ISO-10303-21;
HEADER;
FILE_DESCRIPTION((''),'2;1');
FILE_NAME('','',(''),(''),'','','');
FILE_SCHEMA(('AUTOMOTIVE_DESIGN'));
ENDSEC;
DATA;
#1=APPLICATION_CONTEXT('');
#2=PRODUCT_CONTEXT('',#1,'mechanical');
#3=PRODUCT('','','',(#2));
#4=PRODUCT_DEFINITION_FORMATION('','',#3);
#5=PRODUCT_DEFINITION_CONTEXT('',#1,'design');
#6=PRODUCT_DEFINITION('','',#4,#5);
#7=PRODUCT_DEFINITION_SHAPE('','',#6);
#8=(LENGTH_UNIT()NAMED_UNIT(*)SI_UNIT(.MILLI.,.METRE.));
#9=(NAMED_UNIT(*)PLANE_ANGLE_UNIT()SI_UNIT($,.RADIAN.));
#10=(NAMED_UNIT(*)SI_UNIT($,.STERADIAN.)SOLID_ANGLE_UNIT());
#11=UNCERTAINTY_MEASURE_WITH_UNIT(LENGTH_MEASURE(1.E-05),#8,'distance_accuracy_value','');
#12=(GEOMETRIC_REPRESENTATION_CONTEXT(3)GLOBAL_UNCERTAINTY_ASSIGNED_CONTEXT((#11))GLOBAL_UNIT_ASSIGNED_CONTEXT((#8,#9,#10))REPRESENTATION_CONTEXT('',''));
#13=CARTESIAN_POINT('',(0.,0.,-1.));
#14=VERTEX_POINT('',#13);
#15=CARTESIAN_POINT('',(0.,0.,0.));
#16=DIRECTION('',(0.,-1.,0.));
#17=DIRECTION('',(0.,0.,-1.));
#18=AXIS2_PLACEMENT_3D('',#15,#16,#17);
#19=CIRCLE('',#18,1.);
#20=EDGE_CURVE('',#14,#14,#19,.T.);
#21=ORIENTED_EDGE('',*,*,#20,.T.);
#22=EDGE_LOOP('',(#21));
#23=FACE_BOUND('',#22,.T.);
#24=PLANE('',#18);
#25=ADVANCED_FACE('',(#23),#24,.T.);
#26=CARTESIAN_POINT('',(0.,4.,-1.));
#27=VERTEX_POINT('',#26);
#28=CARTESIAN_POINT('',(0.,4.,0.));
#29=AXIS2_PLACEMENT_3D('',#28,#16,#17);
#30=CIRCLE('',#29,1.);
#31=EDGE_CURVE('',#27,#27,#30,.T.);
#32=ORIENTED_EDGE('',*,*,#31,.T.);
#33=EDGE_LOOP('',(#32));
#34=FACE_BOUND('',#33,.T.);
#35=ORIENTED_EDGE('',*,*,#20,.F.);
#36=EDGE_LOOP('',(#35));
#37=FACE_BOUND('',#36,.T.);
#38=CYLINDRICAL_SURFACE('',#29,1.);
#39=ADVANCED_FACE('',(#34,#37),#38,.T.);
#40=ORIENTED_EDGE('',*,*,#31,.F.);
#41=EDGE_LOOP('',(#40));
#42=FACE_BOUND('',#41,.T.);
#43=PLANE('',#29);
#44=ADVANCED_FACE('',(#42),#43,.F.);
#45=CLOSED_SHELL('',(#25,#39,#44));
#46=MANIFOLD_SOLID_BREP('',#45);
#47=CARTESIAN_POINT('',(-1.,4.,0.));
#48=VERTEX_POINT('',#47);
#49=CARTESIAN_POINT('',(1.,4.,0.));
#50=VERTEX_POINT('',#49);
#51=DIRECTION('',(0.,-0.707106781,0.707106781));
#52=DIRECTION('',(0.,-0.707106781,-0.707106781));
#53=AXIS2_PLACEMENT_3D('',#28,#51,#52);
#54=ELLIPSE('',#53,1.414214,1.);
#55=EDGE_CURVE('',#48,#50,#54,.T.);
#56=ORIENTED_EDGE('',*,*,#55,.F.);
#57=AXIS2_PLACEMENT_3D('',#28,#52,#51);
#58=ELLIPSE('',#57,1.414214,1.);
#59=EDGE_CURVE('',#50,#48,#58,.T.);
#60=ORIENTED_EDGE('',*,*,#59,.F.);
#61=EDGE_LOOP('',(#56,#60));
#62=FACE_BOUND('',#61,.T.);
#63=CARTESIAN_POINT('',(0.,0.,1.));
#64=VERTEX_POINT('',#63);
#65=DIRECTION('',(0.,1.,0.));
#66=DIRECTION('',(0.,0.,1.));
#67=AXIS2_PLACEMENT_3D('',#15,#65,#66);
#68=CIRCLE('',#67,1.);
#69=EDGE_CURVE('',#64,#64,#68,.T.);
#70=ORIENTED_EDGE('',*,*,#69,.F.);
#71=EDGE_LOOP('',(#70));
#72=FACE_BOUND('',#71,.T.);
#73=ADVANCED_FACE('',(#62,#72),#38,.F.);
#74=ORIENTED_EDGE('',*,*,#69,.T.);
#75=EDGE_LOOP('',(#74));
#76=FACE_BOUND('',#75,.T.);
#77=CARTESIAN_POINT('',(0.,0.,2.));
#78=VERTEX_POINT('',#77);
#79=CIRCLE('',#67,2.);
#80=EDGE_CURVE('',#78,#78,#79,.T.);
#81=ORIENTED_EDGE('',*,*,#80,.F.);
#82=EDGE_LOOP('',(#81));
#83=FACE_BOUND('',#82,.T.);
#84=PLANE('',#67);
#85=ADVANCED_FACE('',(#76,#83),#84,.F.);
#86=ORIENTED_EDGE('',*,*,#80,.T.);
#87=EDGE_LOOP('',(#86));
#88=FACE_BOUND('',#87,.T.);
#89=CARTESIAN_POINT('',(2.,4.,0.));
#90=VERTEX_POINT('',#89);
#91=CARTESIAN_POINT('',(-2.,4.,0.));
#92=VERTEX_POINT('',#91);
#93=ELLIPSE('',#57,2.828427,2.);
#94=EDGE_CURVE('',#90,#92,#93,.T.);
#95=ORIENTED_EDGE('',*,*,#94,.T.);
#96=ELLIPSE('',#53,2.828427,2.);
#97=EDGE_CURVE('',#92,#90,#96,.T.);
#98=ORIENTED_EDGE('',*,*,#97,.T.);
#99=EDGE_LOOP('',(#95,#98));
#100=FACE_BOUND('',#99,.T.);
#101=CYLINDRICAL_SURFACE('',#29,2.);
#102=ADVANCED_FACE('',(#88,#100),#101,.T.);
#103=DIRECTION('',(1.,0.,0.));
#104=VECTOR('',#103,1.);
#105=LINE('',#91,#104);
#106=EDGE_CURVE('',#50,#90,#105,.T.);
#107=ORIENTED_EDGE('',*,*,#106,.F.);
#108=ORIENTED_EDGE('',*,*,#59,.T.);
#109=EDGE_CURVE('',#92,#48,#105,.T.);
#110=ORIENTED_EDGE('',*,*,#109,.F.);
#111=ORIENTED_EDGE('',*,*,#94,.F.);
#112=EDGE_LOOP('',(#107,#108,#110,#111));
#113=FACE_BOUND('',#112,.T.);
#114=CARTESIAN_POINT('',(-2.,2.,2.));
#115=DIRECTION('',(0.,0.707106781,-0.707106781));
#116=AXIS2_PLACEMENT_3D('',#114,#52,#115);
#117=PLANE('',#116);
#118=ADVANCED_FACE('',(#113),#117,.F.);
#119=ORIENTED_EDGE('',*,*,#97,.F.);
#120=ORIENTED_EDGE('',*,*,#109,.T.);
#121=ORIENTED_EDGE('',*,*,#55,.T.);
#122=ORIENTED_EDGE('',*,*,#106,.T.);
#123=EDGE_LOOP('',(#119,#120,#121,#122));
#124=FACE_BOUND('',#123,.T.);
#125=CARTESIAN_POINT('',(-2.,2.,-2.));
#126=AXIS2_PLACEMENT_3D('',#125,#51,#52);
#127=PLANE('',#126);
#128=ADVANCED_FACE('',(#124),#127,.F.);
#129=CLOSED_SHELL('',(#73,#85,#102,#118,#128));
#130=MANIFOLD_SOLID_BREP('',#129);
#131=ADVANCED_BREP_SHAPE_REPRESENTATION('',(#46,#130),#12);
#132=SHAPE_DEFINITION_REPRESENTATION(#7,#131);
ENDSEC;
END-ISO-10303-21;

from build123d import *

# Parameters (mm, degrees)
SKETCH1_R           = 2
SKETCH1_R_2         = 1
BOSS_EXTRUDE1_DEPTH = 4
CUT_EXTRUDE1_DEPTH  = 2
SKETCH3_R           = 1
BOSS_EXTRUDE2_DEPTH = 4


with BuildPart() as part:
    # Sketch1 → Boss-Extrude1 (new body)
    with BuildSketch(Plane(origin=(0, 0, 0), x_dir=(1, 0, 0), z_dir=(0, 1, 0))):
        Circle(SKETCH1_R)
        Circle(SKETCH1_R_2, mode=Mode.SUBTRACT)
    extrude(amount=BOSS_EXTRUDE1_DEPTH)

    # Sketch2 → Cut-Extrude1 (cut, symmetric)
    with BuildSketch(Plane(origin=(0, 0, 0), x_dir=(0, 0, -1), z_dir=(1, 0, 0))):
        Polygon((2, 4), (0, 4), (2, 2), align=None)
        Polygon((-2, 4), (-2, 2), (0, 4), align=None)
    extrude(amount=CUT_EXTRUDE1_DEPTH, both=True, mode=Mode.SUBTRACT)


with BuildPart() as body_2:
    # Sketch3 → Boss-Extrude2 (new body)
    with BuildSketch(Plane.XZ):
        Circle(SKETCH3_R)
    extrude(amount=-BOSS_EXTRUDE2_DEPTH)


solid = Compound([part.part, body_2.part])
